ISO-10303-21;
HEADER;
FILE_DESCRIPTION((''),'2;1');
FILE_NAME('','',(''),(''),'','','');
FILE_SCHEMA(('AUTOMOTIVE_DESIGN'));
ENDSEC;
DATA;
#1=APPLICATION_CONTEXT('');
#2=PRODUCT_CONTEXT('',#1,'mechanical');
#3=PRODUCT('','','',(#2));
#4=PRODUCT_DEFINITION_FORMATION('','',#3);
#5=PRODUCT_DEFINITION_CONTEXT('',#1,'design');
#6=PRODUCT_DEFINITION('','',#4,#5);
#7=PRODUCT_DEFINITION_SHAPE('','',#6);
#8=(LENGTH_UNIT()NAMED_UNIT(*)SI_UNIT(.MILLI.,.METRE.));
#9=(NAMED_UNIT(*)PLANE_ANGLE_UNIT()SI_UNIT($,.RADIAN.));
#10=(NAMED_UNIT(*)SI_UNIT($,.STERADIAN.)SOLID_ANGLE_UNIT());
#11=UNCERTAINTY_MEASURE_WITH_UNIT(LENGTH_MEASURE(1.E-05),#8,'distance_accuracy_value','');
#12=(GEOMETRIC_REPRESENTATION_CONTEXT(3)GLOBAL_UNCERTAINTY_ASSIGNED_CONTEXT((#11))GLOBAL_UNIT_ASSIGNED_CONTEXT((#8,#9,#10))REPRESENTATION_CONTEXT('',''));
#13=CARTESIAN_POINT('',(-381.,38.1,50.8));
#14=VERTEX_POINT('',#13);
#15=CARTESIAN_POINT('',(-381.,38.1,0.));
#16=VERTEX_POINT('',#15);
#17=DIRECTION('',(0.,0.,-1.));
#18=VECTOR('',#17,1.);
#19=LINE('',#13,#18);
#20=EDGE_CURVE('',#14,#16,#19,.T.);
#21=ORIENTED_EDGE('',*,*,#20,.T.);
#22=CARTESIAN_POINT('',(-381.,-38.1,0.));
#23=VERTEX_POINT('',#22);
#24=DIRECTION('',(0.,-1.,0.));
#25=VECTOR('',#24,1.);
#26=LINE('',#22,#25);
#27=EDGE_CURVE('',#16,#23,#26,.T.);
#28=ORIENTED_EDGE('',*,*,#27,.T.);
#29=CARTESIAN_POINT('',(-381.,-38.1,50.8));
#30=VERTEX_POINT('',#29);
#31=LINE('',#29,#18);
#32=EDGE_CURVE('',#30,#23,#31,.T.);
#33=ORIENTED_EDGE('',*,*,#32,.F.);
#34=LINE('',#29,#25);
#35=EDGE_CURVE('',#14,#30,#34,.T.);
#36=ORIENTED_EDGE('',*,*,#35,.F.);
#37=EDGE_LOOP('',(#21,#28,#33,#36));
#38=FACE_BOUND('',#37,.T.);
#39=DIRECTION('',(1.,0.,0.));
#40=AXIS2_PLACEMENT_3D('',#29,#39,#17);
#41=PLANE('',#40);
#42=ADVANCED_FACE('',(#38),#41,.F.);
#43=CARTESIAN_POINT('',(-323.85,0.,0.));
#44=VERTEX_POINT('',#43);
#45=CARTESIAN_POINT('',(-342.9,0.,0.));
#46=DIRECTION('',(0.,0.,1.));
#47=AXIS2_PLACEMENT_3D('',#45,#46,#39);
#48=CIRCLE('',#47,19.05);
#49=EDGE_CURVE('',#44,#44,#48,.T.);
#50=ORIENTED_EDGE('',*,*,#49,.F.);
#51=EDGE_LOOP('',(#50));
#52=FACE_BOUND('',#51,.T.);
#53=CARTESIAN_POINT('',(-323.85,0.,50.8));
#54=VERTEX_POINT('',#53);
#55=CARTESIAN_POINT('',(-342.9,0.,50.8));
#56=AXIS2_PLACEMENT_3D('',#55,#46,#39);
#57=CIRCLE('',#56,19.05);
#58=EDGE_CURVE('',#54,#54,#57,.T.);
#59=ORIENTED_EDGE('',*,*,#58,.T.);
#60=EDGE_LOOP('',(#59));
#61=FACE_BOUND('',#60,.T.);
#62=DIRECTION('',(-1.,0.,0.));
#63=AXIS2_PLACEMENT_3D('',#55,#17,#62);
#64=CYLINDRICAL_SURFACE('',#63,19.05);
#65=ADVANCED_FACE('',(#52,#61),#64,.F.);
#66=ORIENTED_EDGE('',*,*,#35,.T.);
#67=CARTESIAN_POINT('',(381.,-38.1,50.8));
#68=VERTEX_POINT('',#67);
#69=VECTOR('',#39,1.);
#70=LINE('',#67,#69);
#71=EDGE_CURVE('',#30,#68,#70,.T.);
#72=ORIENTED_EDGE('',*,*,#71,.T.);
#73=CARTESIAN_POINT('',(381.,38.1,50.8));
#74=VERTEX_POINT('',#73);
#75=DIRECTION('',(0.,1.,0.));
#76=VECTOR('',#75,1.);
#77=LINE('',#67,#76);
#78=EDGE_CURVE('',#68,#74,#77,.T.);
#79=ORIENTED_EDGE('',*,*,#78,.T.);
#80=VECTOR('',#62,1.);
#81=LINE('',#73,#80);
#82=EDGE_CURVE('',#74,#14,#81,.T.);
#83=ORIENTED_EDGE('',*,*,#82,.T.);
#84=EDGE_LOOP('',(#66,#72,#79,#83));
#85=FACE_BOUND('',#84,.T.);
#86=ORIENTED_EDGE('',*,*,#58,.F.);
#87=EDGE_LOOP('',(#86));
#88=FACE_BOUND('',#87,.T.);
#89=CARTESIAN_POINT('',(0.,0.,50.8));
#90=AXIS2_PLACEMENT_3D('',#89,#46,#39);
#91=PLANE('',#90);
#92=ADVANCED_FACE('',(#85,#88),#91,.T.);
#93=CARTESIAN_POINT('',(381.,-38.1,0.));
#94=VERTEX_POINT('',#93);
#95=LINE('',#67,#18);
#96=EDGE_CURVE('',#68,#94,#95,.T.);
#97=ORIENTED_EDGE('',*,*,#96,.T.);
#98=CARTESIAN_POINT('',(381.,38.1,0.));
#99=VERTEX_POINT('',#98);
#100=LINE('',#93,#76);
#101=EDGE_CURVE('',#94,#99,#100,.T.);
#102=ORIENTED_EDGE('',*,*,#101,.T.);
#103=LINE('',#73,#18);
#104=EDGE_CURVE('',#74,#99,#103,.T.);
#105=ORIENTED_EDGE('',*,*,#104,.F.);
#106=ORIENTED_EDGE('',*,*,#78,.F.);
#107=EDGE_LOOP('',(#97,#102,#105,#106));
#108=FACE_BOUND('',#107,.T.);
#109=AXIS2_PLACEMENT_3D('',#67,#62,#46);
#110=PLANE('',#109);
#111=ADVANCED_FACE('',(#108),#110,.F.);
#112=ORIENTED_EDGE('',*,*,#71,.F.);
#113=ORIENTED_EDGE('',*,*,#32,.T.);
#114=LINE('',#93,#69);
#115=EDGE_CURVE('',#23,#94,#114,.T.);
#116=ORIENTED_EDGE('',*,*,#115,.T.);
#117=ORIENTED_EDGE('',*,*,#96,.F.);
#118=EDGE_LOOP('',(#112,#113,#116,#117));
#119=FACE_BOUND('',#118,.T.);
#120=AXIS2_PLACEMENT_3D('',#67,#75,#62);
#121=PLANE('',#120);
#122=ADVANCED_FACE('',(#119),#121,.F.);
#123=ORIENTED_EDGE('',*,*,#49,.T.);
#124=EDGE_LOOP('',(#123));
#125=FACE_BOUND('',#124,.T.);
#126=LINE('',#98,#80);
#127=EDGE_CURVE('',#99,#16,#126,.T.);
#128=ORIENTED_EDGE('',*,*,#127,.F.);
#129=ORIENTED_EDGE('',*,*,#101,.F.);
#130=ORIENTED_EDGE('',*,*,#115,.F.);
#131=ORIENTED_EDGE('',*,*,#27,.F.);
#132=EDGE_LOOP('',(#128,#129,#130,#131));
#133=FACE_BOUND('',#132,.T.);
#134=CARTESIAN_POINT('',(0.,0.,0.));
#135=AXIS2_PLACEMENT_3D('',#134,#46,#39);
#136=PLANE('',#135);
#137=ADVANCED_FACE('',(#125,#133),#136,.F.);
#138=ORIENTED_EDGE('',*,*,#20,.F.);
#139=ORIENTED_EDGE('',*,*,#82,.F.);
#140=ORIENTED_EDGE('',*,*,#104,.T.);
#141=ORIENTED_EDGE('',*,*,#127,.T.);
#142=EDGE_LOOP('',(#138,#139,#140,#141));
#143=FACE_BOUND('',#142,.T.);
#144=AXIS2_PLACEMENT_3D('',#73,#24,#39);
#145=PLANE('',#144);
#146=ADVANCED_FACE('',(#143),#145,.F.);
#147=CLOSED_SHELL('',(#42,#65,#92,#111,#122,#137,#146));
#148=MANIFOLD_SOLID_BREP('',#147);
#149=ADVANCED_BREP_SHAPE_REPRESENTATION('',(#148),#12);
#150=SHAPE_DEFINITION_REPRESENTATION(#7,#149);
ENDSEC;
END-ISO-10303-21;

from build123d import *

# Parameters (mm, degrees)
CROQUIS1_W              = 762
CROQUIS1_H              = 76.2
SALIENTE_EXTRUIR1_DEPTH = 50.8
CROQUIS2_R              = 19.05
CORTAR_EXTRUIR5_DEPTH   = 387.255420674


with BuildPart() as part:
    # Croquis1 → Saliente-Extruir1 (new body)
    with BuildSketch(Plane.XY):
        Rectangle(CROQUIS1_W, CROQUIS1_H)
    extrude(amount=SALIENTE_EXTRUIR1_DEPTH)

    # Croquis2 → Cortar-Extruir5 (cut, through all)
    with BuildSketch(Plane(origin=(0, 0, 0), x_dir=(-1, 0, 0), z_dir=(0, 0, -1))):
        with Locations(Location((342.9, 0, 0), (0, 0, 180))):
            Circle(CROQUIS2_R)
    extrude(amount=-CORTAR_EXTRUIR5_DEPTH, mode=Mode.SUBTRACT)


solid = part.part
